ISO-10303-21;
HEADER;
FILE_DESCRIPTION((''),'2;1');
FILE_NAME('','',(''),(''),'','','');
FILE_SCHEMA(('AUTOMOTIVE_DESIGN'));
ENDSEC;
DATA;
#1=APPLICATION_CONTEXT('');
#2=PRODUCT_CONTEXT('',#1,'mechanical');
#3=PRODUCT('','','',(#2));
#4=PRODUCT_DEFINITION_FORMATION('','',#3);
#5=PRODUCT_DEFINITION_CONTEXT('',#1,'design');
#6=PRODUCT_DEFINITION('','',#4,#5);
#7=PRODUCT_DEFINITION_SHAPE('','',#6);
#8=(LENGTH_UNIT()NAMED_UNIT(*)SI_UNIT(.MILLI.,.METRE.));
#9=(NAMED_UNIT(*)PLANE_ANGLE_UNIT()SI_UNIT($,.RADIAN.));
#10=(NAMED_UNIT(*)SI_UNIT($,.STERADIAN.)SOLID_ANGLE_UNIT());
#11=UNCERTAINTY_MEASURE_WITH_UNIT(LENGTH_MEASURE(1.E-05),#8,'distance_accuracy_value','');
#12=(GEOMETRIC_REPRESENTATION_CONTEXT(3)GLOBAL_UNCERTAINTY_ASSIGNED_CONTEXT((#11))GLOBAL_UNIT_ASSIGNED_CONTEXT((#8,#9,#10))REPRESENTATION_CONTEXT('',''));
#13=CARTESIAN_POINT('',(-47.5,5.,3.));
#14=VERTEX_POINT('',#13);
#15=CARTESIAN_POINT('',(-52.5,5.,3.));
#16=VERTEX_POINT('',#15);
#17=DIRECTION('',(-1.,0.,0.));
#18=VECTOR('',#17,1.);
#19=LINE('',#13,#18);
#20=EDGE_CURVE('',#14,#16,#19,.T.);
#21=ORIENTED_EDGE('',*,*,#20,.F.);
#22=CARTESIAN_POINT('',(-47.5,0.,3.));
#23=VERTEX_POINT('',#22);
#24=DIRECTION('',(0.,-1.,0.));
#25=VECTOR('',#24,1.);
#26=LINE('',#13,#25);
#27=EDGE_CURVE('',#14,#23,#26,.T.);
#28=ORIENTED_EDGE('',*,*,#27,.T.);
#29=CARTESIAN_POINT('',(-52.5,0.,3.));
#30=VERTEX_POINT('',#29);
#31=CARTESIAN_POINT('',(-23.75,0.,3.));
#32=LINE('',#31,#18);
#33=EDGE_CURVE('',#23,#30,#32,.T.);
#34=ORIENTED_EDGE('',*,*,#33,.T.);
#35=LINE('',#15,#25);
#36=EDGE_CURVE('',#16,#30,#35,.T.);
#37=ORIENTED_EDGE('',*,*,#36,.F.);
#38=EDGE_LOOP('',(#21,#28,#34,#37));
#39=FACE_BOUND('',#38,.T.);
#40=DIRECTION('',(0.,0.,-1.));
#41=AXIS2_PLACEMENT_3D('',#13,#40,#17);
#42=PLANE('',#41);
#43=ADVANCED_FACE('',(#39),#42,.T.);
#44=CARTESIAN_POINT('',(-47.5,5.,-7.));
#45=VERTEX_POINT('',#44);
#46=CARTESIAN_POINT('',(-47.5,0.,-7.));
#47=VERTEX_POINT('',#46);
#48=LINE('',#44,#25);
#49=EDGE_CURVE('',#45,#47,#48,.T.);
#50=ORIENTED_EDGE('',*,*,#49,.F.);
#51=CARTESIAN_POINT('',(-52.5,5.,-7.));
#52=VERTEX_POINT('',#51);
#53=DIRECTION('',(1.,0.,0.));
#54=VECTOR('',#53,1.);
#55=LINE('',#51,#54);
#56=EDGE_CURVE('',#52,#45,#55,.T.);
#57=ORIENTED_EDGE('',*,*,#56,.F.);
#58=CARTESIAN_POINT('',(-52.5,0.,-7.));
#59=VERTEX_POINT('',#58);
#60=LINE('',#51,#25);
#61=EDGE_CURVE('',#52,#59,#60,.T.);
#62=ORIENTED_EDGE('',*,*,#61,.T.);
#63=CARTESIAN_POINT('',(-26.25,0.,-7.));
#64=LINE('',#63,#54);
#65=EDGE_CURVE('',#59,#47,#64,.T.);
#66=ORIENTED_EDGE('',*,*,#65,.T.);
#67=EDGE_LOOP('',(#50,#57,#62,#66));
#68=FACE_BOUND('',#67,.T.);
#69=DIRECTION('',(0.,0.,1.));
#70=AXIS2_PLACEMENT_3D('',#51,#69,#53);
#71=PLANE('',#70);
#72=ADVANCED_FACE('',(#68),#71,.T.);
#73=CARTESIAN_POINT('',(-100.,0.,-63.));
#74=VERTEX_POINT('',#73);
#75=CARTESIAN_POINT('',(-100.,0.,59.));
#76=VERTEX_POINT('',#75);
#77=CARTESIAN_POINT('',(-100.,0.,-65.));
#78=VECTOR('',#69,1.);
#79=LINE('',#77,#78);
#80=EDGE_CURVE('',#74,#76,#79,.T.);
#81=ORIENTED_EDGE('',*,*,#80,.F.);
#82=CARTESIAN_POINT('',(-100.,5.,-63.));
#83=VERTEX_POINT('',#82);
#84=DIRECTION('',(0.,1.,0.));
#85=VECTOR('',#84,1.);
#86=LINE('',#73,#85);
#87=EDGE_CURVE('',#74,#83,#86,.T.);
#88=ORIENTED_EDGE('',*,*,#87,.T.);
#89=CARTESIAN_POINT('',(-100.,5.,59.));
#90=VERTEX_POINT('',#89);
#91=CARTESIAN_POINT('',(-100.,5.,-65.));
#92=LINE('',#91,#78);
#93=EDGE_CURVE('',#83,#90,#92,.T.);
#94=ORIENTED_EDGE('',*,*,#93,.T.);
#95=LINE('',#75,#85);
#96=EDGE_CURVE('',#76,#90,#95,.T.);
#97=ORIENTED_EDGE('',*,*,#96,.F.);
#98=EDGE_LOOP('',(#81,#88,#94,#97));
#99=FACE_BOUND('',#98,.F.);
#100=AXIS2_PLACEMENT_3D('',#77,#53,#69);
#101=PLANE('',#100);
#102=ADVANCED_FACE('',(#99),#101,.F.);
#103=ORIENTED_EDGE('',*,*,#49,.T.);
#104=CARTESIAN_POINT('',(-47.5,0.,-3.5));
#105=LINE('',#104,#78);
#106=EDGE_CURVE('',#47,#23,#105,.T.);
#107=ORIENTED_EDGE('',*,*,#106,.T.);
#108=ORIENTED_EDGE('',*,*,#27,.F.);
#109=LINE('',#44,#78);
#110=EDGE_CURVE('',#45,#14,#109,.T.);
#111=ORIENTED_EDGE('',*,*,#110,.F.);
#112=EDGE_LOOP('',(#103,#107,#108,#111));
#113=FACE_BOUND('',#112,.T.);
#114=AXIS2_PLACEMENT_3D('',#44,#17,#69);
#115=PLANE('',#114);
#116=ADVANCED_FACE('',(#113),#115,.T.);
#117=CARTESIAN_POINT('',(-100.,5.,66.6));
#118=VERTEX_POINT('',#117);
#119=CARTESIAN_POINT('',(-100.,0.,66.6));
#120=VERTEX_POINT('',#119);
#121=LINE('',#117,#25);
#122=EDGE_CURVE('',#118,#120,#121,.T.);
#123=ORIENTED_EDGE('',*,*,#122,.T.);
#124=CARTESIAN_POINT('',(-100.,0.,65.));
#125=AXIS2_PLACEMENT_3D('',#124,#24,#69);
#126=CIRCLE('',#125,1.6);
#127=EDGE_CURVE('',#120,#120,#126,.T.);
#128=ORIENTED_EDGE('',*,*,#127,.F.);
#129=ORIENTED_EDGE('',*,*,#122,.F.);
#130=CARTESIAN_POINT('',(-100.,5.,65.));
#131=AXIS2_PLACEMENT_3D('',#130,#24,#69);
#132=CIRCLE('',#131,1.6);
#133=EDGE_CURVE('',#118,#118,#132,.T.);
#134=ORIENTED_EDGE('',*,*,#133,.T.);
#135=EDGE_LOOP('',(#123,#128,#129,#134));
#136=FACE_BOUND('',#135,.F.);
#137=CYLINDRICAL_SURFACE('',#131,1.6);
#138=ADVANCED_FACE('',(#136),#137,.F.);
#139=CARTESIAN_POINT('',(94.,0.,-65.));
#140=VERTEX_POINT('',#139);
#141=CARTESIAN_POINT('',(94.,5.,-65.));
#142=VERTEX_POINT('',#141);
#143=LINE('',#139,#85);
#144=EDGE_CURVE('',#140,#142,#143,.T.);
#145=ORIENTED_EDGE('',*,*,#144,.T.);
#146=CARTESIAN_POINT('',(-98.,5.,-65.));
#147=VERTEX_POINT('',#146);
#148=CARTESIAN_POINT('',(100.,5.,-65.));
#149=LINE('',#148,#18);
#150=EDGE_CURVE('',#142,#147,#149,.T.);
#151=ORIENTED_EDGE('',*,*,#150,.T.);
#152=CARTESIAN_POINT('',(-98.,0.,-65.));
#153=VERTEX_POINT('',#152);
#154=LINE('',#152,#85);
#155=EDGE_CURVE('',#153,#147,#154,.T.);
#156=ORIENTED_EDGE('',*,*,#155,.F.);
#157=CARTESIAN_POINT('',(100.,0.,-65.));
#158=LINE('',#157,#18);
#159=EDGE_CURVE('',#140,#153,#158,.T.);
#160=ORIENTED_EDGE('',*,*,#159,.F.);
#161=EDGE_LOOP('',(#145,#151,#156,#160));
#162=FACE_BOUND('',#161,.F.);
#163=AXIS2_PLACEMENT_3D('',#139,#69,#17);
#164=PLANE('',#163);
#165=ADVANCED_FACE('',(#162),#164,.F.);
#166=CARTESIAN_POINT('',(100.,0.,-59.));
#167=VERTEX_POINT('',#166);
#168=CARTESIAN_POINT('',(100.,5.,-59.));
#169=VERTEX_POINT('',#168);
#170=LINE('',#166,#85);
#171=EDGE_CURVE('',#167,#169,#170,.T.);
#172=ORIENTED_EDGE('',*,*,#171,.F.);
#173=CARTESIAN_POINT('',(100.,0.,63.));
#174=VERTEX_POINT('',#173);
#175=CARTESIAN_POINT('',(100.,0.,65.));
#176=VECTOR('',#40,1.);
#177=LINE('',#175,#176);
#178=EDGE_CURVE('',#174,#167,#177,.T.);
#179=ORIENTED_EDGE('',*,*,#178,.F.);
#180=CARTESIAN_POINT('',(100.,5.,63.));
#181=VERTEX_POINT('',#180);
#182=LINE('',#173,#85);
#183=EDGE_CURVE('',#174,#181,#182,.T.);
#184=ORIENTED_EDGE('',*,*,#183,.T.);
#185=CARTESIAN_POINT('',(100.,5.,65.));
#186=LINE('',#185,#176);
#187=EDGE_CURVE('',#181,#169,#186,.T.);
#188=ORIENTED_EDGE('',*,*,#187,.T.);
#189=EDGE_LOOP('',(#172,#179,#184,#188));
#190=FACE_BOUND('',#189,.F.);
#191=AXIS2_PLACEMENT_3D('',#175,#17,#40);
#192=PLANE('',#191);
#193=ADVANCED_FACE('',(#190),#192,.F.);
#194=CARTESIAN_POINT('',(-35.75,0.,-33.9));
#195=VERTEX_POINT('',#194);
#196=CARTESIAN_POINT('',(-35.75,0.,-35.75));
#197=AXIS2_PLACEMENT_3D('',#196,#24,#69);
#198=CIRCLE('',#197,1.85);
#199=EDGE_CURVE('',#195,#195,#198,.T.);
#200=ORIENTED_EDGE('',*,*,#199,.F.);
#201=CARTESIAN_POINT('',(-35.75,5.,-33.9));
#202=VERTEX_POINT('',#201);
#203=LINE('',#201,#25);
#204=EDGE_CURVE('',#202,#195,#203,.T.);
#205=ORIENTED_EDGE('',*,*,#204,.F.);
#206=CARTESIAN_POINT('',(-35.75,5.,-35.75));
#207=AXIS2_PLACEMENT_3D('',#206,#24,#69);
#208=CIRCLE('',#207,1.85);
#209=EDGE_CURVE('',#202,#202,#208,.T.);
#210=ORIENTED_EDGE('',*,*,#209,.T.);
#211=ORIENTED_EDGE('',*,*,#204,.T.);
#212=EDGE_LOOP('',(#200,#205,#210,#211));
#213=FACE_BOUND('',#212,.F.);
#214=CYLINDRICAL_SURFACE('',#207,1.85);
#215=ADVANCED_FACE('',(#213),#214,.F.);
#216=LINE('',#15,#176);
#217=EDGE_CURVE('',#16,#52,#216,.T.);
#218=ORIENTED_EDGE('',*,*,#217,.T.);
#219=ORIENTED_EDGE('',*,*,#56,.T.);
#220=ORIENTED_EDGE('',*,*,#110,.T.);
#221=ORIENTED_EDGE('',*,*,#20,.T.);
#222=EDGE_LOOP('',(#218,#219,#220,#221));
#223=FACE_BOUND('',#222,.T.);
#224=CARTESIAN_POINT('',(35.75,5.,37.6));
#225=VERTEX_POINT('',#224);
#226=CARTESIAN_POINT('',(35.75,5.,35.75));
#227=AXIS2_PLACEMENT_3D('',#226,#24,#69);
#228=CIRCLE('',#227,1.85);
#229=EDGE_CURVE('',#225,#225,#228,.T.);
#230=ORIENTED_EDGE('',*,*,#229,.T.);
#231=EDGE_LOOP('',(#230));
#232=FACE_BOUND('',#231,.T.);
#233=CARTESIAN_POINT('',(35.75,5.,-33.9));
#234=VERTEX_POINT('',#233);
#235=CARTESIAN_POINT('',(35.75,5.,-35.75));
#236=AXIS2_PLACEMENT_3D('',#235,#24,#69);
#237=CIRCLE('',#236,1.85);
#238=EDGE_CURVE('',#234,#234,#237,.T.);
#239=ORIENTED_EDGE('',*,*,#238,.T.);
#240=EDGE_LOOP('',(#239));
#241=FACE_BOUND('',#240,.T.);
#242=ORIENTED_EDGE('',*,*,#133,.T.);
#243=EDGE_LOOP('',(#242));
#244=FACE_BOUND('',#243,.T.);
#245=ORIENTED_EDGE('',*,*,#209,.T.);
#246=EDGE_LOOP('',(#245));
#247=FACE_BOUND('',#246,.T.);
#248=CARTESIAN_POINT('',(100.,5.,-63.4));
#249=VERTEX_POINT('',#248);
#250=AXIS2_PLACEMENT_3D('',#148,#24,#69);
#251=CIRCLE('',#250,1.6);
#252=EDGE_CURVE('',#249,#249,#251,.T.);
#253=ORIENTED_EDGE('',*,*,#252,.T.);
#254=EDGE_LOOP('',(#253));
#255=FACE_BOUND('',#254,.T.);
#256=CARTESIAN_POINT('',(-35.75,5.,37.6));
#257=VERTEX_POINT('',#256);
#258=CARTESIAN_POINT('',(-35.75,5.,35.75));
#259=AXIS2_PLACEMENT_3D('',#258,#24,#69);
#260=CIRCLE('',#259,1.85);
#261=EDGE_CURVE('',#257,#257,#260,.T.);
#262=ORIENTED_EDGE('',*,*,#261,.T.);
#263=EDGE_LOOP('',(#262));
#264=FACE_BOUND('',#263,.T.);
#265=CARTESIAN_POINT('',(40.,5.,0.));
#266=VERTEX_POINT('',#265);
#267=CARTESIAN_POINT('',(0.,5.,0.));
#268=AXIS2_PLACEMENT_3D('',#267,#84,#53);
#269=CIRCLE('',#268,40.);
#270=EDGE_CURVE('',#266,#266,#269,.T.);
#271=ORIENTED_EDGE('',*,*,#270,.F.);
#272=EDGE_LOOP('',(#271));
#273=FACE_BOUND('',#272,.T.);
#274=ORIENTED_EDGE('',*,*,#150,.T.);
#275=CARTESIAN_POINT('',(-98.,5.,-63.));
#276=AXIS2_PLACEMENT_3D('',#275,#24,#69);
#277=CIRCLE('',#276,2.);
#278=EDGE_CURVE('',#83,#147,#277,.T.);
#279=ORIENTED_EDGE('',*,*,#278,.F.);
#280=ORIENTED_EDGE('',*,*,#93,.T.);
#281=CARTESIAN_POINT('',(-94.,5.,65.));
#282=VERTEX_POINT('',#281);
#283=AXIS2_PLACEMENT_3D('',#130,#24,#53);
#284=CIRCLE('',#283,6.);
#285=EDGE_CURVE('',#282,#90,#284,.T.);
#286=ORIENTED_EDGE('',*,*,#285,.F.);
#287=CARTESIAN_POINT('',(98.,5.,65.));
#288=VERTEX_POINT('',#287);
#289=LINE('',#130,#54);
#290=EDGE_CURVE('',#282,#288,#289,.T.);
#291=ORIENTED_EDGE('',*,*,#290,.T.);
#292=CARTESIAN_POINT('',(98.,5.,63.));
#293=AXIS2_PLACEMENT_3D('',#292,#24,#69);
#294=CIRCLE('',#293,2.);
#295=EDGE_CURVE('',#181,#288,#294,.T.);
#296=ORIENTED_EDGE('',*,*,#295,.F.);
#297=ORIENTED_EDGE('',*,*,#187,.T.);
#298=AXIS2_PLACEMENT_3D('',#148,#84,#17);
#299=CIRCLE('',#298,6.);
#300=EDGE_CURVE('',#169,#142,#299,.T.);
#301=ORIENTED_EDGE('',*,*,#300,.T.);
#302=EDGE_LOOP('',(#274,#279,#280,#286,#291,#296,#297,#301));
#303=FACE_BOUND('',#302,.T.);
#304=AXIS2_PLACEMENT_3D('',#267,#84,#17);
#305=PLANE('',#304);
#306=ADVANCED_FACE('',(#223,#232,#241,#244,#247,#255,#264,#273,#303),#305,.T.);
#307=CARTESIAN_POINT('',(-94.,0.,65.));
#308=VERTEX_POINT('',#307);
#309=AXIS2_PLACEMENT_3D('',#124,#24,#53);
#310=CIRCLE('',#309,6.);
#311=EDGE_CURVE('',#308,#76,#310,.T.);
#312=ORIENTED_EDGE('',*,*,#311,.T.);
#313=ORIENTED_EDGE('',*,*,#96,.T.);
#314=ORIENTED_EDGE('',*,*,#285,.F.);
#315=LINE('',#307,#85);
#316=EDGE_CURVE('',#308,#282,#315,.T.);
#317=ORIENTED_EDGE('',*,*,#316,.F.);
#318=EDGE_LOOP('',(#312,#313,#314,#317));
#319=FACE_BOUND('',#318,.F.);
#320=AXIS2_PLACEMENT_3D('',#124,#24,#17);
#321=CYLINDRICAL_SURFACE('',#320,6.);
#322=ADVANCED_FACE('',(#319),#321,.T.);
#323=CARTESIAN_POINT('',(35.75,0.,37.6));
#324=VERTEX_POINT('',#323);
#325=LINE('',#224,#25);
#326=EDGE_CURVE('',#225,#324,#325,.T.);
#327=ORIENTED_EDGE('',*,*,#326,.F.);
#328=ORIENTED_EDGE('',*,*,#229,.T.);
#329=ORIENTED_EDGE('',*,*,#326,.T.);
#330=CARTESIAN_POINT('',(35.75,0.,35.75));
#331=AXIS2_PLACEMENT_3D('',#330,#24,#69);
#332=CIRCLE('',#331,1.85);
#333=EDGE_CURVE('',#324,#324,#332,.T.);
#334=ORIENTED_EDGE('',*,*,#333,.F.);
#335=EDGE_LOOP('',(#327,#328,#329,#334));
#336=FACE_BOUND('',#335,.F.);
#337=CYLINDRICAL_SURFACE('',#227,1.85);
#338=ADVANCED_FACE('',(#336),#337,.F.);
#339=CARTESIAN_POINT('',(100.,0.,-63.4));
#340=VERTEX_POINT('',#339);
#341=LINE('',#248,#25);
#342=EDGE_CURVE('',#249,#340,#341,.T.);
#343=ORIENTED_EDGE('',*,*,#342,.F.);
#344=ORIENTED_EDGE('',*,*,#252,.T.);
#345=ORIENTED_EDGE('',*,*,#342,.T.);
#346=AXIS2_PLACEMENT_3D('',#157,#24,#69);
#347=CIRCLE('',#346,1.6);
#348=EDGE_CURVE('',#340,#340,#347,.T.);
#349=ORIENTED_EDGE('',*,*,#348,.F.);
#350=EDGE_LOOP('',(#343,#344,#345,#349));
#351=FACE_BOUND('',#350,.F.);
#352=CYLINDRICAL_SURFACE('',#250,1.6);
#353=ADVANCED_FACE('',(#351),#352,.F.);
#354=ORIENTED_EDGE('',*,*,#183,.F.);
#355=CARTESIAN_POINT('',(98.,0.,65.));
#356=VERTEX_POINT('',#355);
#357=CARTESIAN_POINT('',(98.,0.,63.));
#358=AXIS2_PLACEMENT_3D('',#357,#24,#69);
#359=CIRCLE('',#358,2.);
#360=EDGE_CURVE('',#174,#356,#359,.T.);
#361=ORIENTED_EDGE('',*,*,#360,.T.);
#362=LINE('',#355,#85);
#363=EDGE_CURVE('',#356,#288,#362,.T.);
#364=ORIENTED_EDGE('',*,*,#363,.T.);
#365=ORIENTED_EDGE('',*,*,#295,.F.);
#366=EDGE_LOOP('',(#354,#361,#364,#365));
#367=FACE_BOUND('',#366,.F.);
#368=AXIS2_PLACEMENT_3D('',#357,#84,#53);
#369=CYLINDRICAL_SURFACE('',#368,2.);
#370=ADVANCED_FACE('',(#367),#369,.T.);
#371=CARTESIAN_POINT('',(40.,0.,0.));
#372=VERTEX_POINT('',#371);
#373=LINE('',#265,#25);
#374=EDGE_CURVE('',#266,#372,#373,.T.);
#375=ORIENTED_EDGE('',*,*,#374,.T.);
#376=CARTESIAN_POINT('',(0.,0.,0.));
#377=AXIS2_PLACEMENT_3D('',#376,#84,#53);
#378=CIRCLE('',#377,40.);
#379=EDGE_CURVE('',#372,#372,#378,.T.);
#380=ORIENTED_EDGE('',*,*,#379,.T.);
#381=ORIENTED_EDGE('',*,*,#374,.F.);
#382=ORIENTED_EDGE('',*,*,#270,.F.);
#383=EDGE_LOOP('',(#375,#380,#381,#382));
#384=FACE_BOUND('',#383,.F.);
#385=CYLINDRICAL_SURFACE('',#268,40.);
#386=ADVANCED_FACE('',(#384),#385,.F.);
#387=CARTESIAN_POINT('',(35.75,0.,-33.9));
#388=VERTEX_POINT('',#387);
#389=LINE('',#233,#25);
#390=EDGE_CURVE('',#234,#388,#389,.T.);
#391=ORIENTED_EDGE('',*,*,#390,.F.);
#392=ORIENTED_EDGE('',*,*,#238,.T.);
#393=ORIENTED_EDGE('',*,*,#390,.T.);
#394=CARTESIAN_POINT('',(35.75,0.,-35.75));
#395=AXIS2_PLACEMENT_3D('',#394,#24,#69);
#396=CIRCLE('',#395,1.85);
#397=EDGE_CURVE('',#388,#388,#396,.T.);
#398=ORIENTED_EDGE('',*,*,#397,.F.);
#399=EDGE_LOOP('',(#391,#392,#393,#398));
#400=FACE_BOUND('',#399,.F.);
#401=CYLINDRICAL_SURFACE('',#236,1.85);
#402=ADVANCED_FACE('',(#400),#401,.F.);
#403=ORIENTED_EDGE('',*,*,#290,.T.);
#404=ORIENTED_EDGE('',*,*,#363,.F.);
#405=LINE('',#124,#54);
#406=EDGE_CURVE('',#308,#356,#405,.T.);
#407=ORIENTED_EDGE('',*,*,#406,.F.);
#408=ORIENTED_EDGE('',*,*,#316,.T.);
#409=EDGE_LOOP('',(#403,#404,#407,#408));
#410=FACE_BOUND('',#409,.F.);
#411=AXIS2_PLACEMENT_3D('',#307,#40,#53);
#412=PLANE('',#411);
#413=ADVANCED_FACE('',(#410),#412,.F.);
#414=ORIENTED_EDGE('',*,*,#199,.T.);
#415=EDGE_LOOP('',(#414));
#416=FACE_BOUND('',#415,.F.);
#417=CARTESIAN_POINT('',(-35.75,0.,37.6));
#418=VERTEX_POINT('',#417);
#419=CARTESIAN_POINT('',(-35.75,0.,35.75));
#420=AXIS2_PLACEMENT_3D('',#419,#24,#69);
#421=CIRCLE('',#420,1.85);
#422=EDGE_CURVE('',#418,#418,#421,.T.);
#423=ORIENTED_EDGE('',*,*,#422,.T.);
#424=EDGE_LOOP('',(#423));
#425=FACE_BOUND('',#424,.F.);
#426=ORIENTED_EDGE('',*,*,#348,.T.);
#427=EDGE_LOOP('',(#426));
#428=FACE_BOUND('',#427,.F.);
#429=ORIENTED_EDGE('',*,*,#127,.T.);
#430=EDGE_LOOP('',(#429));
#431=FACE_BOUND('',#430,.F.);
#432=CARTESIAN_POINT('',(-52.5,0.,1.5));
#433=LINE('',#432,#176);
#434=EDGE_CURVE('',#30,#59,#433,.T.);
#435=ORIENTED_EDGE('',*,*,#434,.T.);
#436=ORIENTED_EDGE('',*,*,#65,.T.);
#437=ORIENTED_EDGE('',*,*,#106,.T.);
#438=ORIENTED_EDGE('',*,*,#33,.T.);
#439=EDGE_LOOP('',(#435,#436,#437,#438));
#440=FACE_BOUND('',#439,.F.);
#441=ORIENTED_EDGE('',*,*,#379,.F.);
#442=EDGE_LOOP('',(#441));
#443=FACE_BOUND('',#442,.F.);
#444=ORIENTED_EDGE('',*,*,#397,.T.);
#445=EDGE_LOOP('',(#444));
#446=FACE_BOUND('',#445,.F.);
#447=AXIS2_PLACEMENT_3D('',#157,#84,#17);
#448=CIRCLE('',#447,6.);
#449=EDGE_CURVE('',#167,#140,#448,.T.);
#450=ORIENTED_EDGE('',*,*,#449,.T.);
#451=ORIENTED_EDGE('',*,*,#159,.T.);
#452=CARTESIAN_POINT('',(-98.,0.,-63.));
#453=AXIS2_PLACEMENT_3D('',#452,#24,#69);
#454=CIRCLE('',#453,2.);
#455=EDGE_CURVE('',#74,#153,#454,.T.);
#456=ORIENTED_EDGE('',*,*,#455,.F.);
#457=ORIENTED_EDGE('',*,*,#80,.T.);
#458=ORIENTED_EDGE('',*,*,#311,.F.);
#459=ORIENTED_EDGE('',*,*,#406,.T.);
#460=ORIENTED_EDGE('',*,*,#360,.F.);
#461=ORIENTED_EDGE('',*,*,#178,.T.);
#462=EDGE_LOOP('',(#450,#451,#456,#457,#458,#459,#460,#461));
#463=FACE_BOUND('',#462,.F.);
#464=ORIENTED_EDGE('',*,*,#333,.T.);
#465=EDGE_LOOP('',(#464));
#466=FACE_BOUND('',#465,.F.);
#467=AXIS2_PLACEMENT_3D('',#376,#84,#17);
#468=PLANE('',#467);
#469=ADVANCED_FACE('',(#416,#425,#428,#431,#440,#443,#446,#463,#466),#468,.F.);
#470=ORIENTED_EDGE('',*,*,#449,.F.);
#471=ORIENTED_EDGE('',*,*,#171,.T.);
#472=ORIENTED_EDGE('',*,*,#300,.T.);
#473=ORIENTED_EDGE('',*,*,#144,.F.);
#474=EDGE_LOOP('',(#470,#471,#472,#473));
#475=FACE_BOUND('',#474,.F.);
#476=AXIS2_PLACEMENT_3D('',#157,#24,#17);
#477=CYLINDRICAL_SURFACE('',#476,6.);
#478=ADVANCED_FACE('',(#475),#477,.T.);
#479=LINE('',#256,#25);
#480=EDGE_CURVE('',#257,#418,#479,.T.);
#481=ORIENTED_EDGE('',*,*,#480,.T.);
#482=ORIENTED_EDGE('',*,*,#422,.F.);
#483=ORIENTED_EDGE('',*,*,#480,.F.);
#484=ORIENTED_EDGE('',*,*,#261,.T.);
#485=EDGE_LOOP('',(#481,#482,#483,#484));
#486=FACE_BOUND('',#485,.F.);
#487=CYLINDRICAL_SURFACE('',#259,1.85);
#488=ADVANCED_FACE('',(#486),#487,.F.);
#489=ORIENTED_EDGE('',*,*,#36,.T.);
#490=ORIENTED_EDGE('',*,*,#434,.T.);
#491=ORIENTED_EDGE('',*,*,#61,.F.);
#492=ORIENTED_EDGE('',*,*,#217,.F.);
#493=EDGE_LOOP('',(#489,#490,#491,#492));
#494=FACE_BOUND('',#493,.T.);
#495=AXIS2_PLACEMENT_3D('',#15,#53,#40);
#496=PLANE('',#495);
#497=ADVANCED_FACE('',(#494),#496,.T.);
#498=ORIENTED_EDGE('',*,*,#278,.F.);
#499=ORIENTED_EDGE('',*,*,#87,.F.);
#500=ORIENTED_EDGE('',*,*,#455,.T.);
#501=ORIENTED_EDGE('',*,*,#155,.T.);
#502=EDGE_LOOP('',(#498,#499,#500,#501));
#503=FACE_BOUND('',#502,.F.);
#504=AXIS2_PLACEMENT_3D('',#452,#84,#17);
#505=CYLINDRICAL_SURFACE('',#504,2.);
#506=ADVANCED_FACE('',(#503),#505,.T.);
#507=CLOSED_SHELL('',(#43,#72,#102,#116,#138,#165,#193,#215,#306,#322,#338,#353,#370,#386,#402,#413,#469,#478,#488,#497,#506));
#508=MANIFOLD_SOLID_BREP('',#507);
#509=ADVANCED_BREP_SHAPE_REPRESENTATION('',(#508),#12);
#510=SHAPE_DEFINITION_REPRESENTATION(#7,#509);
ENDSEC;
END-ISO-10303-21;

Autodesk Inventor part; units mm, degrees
ref_plane "YZ Plane" through (0, 0, 0) normal (1, 0, 0) x (0, 1, 0)
ref_plane "XZ Plane" through (0, 0, 0) normal (0, 1, 0) x (-1, 0, 0)
ref_plane "XY Plane" through (0, 0, 0) normal (0, 0, 1) x (1, 0, 0)
sketch "Sketch1" plane through (0, 0, 0) normal (0, 1, 0) x (-1, 0, 0)
  line L0 (100, 65) -> (-100, 65)
  line L1 (-100, 65) -> (-100, -65)
  line L2 (-100, -65) -> (100, -65)
  line L3 (100, -65) -> (100, 65)
  line L4 (100, 65) -> (-100, -65) construction
  line L5 (-100, 65) -> (100, -65) construction
  circle A0 centre (100, 65) radius 6
  circle A1 centre (-100, -65) radius 6
  point P0 (0, 0)
  point P1 (94, 65)
  point P2 (100, 59)
  point P3 (-100, -59)
  point P4 (-94, -65)
  dimension "d0" = 200
  dimension "d1" = 130
  dimension "d4" = 12
extrude "Extrusion1" add sketch "Sketch1" along normal blind 5
fillet "Fillet1" radius 2 2 edges at (100, 2.5, 65) (-100, 2.5, -65)
sketch "Sketch2" plane through (0, 5, 0) normal (0, 1, 0) x (1, 0, 0)
  arc A0 (-98, 65) -> (-100, 63) centre (-98, 63) ccw projected
  line L0 (-100, 63) -> (-100, -59) projected
  arc A1 (-100, -59) -> (-94, -65) centre (-100, -65) ccw projected
  line L1 (-94, -65) -> (98, -65) projected
  arc A2 (98, -65) -> (100, -63) centre (98, -63) ccw projected
  line L2 (100, -63) -> (100, 59) projected
  arc A3 (100, 59) -> (94, 65) centre (100, 65) ccw projected
  line L3 (94, 65) -> (-98, 65) projected
  point P0 (0, 0)
hole "Hole1" at (100, 5, -65) at (-100, 5, 65) direction (0, -1, 0) diameter 3.2 end through all
sketch "Sketch3" plane through (0, 5, 0) normal (0, 1, 0) x (1, 0, 0)
  circle A0 centre (0, 0) radius 40
  dimension "d13" = 80
extrude "Extrusion2" cut sketch "Sketch3" against normal through all
sketch "Sketch4" plane through (0, 5, 0) normal (0, 1, 0) x (1, 0, 0)
  line L0 (-35.75, -35.75) -> (35.75, -35.75) construction
  line L1 (35.75, -35.75) -> (35.75, 35.75) construction
  line L2 (35.75, 35.75) -> (-35.75, 35.75) construction
  line L3 (-35.75, 35.75) -> (-35.75, -35.75) construction
  line L4 (-35.75, -35.75) -> (35.75, 35.75) construction
  line L5 (35.75, -35.75) -> (-35.75, 35.75) construction
  point P0 (0, 0)
  dimension "d16" = 71.5
hole "Hole2" at (-35.75, 5, -35.75) at (-35.75, 5, 35.75) at (35.75, 5, 35.75) at (35.75, 5, -35.75) direction (0, -1, 0) diameter 3.7 end through all
sketch "Sketch5" plane through (0, 5, 0) normal (0, 1, 0) x (1, 0, 0)
  line L0 (-52.5, 7) -> (-47.5, 7)
  line L1 (-47.5, 7) -> (-47.5, -3)
  line L2 (-47.5, -3) -> (-52.5, -3)
  line L3 (-52.5, -3) -> (-52.5, 7)
  line L4 (-52.5, 7) -> (-47.5, -3) construction
  line L5 (-47.5, 7) -> (-52.5, -3) construction
  line L6 (-100, 63) -> (-100, -59) projected
  point P0 (0, 0)
  point P1 (-50, 2)
  point P2 (-100, 2)
  point P3 (-100, 2)
  dimension "d24" = 50
  dimension "d25" = 5
  dimension "d26" = 10
extrude "Extrusion3" cut sketch "Sketch5" against normal through all
properties part number "LED Power Box (12V) Cover" material "ABS Plastic"
